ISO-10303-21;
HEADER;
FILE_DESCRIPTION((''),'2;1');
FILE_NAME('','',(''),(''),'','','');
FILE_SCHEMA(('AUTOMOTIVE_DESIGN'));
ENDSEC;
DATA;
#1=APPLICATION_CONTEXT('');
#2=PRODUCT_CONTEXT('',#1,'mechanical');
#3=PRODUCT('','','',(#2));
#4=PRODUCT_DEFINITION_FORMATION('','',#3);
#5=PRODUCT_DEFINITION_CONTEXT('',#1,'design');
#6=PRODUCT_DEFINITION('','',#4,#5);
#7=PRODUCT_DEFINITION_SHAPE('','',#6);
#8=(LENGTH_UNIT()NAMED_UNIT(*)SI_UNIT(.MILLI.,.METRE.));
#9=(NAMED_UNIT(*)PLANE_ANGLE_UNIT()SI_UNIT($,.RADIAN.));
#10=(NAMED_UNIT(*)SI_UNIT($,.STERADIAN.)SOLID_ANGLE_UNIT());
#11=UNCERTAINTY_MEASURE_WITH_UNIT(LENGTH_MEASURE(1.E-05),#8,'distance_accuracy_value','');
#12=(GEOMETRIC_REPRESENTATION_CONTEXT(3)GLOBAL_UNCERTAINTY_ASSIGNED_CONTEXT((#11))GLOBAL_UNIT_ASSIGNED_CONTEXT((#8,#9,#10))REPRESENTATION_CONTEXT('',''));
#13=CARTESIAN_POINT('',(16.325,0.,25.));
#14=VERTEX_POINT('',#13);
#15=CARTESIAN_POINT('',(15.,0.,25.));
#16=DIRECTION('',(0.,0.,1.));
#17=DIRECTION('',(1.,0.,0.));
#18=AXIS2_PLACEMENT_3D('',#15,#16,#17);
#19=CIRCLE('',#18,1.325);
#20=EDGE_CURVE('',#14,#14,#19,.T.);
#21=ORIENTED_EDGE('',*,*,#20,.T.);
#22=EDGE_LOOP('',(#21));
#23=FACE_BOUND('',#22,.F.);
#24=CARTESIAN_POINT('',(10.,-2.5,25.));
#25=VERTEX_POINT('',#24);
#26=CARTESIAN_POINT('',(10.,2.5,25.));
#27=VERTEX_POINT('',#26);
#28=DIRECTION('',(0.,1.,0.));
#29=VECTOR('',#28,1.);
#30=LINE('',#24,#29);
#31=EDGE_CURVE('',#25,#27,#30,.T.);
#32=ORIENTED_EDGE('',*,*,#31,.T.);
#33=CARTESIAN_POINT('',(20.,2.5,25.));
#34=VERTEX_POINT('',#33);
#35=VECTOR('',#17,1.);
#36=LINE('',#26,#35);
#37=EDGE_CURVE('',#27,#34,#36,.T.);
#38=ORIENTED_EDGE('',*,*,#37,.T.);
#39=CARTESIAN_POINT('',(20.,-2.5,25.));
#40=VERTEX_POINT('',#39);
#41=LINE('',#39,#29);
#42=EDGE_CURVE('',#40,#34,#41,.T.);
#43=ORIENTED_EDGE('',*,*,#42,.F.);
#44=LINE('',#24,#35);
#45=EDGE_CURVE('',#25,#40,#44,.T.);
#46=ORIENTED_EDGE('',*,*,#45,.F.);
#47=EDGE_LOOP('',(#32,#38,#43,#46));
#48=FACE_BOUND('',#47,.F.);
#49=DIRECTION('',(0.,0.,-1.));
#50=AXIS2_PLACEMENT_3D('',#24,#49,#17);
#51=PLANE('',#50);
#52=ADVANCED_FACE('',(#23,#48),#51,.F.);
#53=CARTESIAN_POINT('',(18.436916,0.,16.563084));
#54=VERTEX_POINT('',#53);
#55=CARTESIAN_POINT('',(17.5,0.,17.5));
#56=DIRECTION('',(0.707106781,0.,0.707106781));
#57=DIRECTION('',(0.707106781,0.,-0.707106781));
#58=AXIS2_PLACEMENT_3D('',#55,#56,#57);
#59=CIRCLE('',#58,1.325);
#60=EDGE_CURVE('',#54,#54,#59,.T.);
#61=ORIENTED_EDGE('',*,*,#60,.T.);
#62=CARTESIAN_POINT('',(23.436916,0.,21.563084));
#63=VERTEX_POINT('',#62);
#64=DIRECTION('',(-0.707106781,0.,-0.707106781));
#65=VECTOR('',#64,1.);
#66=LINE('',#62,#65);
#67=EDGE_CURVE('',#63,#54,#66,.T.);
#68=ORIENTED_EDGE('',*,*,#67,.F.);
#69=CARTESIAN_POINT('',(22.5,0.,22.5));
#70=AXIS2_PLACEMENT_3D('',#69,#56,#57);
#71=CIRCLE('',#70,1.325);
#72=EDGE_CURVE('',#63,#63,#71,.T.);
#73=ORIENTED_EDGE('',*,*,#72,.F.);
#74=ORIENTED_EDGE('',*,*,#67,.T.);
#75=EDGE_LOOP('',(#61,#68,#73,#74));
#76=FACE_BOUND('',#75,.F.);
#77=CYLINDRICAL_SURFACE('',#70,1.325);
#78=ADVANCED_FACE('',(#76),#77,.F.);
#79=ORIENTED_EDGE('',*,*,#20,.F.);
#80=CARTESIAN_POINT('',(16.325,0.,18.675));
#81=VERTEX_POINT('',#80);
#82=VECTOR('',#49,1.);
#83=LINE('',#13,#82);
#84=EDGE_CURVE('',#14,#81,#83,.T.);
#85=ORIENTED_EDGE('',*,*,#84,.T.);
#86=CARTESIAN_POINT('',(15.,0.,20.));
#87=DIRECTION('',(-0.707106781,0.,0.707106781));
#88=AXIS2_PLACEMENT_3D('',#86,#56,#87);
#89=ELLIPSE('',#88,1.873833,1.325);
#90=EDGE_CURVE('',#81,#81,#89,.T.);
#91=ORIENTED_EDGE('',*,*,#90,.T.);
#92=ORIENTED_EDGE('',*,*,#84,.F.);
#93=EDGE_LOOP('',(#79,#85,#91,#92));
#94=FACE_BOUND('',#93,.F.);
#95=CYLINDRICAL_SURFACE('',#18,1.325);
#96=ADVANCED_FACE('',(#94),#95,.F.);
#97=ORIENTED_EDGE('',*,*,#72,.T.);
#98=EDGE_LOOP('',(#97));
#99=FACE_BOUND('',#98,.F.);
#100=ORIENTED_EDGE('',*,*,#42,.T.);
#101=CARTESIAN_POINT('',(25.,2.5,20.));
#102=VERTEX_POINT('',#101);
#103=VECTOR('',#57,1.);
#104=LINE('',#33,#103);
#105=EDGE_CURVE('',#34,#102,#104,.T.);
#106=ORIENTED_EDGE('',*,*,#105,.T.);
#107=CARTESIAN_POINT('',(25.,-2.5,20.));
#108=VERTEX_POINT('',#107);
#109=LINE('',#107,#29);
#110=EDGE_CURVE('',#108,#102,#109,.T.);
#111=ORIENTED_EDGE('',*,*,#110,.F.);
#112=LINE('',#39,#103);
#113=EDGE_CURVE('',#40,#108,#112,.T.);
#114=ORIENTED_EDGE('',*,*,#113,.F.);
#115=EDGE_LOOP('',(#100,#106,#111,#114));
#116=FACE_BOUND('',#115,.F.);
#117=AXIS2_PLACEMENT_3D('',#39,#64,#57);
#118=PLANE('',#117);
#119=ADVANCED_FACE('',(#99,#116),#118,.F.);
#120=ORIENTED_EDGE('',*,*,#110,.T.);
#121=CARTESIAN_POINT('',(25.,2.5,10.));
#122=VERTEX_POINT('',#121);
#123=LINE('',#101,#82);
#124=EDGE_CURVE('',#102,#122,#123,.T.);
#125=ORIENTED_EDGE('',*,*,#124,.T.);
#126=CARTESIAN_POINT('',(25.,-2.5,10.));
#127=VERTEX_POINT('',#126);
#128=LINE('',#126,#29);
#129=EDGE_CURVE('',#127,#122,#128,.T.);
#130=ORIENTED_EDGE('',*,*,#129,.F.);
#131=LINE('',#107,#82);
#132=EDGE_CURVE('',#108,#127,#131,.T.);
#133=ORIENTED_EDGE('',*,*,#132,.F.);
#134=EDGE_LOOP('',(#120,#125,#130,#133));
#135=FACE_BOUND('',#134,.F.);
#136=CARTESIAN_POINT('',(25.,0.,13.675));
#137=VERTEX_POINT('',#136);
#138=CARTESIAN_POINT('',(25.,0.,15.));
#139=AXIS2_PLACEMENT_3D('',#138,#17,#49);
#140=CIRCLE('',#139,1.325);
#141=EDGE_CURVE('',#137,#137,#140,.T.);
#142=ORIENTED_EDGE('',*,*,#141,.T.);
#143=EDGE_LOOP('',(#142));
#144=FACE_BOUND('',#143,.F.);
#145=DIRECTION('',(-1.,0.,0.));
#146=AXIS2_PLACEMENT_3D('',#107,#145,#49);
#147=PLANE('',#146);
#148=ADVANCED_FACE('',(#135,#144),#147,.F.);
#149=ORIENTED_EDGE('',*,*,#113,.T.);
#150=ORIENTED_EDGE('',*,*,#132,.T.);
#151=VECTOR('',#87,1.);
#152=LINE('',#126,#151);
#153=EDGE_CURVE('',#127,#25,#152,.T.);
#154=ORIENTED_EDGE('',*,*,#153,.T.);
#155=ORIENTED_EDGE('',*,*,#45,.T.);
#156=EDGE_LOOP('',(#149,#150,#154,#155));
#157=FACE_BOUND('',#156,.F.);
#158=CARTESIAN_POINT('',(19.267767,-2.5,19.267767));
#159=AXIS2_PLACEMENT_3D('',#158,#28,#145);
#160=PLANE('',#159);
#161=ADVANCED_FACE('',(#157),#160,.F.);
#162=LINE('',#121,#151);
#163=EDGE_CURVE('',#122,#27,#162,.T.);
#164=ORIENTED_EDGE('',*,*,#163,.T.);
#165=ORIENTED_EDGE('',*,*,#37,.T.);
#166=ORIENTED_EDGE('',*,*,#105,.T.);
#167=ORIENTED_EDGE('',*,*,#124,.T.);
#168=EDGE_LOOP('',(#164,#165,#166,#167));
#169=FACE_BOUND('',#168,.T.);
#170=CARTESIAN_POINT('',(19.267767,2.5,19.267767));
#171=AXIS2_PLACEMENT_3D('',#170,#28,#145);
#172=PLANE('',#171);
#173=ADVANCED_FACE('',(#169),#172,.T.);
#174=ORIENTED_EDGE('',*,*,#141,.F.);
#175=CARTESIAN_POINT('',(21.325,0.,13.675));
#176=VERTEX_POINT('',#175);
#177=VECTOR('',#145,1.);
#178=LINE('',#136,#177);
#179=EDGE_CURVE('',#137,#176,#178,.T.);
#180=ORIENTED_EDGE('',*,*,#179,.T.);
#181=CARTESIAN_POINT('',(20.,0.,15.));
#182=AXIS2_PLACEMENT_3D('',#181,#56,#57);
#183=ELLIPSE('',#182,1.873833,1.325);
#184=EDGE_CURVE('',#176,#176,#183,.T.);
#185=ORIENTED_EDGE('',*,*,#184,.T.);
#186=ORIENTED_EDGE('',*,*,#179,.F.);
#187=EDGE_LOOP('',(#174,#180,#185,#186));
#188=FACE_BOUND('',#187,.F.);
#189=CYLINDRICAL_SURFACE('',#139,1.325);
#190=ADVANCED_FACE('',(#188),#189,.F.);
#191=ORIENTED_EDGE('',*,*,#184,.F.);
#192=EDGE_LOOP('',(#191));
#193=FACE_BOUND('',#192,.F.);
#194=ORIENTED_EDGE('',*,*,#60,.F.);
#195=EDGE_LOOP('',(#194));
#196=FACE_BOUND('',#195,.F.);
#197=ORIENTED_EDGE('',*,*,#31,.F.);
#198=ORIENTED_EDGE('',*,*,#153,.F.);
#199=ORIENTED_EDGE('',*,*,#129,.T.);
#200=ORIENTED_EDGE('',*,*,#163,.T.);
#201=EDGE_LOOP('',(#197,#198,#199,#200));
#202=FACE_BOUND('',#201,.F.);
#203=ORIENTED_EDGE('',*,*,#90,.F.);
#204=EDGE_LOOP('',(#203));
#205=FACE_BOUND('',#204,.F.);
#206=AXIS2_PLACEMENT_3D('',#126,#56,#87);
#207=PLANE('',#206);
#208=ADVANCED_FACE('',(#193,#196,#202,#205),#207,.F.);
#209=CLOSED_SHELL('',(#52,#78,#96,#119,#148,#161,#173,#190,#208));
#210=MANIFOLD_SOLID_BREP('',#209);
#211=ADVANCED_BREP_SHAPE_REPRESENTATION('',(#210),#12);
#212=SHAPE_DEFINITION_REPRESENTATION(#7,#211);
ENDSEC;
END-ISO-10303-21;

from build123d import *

# Parameters (mm, degrees)
PAD_DEPTH               = 5
SKETCH001_R             = 1.325
HOLE_DEPTH              = 15.0010000001
SKETCH002_R             = 1.325
HOLE001_DEPTH           = 17.6786695297
SKETCH003_R             = 1.325
HOLE002_DEPTH           = 15.001
BODY002_PLACEMENT_ANGLE = 180


with BuildPart() as part:
    # Sketch → Pad (new body)
    with BuildSketch(Plane.XZ.offset(-2.5)):
        Polygon((-10, 25.0000000001), (-19.9999999999, 25.0000000001), (-25, 20), (-25, 10), align=None)
    extrude(amount=PAD_DEPTH)

    # Sketch001 (on Face1 of Pad) → Hole (cut, through all)
    with BuildSketch(Plane(origin=(0, 0, 25.0000000001), x_dir=(-1, 0, 0), z_dir=(0, 0, 1))):
        with Locations((15, 0)):
            Circle(SKETCH001_R)
    extrude(amount=-HOLE_DEPTH, mode=Mode.SUBTRACT)

    # Sketch002 (on Face5 of Hole) → Hole001 (cut, through all)
    with BuildSketch(Plane(origin=(-22.5, 0, 22.5), x_dir=(-0.7071067812, 0, -0.7071067812), z_dir=(-0.7071067812, 0, 0.7071067812))):
        Circle(SKETCH002_R)
    extrude(amount=-HOLE001_DEPTH, mode=Mode.SUBTRACT)

    # Sketch003 (on Face7 of Hole001) → Hole002 (cut, through all)
    with BuildSketch(Plane(origin=(-25, 0, 0), x_dir=(0, 0, -1), z_dir=(-1, 0, 0))):
        with Locations((-15, 0)):
            Circle(SKETCH003_R)
    extrude(amount=-HOLE002_DEPTH, mode=Mode.SUBTRACT)


with BuildPart() as part_1:
    # Body002 placement: moved
    add(part.part.rotate(Axis((0, 0, 0), (0, 0, 1)), BODY002_PLACEMENT_ANGLE))


solid = part_1.part
